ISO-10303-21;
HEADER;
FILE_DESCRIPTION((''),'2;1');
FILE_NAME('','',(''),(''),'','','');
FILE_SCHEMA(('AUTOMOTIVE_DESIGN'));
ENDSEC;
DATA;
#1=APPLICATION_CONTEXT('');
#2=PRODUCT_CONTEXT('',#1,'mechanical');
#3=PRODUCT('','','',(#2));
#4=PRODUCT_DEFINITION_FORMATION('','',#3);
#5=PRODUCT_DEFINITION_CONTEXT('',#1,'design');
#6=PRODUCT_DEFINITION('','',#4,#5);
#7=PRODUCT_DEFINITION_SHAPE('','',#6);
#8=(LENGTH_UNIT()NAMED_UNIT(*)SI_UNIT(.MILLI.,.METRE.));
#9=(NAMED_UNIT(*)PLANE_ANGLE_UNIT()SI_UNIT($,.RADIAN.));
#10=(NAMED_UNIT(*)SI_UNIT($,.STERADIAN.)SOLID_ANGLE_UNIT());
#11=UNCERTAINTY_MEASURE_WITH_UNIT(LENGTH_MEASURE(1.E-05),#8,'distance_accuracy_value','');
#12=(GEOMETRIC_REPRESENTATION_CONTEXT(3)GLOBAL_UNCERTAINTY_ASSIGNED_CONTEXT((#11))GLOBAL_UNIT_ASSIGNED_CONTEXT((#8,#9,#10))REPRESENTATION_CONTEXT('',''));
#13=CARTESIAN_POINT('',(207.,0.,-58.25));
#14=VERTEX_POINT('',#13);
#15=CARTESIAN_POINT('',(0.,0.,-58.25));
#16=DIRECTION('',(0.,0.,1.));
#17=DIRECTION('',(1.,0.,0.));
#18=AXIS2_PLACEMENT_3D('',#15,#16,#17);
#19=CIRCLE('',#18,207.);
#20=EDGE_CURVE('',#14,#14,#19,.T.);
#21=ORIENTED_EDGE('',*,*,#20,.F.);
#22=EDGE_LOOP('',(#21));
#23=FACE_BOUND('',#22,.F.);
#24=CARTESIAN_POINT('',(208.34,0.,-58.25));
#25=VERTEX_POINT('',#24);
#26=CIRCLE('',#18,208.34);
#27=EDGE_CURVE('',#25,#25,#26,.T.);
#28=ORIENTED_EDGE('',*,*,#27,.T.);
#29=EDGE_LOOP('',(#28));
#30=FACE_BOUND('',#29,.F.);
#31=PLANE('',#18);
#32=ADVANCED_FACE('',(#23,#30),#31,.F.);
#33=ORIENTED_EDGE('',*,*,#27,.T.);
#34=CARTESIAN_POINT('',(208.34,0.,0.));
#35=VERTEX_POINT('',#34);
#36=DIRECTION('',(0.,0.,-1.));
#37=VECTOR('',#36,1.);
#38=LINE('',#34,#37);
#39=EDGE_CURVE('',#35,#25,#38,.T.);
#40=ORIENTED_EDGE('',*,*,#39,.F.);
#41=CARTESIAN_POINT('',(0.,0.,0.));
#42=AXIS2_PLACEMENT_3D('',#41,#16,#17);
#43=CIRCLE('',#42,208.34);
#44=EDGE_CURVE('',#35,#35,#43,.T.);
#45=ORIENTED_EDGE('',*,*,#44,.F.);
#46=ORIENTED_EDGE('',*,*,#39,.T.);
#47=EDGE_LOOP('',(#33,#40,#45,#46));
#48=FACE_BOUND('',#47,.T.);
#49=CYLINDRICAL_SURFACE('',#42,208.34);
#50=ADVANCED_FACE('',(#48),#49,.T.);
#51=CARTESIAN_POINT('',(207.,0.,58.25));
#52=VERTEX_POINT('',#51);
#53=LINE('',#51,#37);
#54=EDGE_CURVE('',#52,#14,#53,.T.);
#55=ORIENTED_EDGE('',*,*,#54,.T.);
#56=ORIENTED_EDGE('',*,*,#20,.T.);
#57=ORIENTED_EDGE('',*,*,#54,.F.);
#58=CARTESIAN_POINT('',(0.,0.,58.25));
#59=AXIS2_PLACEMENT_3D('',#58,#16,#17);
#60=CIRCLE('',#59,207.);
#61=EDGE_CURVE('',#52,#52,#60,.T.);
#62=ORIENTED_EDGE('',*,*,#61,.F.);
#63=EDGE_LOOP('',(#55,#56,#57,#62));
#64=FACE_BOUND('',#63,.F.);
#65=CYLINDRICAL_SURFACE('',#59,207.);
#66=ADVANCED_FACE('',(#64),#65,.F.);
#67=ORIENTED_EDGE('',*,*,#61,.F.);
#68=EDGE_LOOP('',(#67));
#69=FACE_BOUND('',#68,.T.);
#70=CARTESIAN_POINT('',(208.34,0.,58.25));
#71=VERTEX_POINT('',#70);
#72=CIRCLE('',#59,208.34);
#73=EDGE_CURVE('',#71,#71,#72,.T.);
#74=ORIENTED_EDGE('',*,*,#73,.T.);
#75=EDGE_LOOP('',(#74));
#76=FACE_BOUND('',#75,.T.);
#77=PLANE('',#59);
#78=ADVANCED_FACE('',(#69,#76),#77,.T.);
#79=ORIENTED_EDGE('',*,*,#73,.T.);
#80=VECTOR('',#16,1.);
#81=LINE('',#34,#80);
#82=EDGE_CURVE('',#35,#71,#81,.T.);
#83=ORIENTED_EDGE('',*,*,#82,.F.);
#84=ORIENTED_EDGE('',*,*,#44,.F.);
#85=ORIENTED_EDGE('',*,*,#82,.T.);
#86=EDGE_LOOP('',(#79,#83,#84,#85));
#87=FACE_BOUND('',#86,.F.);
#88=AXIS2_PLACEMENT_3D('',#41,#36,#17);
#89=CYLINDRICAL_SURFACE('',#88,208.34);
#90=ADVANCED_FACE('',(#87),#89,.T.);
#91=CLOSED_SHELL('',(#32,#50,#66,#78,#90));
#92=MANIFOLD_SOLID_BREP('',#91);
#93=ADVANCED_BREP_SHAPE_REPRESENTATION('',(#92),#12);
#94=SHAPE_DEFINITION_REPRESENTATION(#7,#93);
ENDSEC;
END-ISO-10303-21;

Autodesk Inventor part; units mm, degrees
ref_plane "YZ Plane" through (0, 0, 0) normal (1, 0, 0) x (0, 1, 0)
ref_plane "XZ Plane" through (0, 0, 0) normal (0, 1, 0) x (-1, 0, 0)
ref_plane "XY Plane" through (0, 0, 0) normal (0, 0, 1) x (1, 0, 0)
sketch "Sketch1" plane through (0, 0, 0) normal (0, 0, 1) x (1, 0, 0)
  circle A0 centre (0, 0) radius 208.34
  dimension "d0" = 416.68
extrude "Extrusion1" add sketch "Sketch1" along normal mid plane 116.5
sketch "Sketch2" plane through (0, 0, 58.25) normal (0, 0, 1) x (1, 0, 0)
  circle A0 centre (0, 0) radius 207
  dimension "d3" = 414
extrude "Extrusion2" cut sketch "Sketch2" against normal through all
properties part number "ALPHA-II-AT_3"
